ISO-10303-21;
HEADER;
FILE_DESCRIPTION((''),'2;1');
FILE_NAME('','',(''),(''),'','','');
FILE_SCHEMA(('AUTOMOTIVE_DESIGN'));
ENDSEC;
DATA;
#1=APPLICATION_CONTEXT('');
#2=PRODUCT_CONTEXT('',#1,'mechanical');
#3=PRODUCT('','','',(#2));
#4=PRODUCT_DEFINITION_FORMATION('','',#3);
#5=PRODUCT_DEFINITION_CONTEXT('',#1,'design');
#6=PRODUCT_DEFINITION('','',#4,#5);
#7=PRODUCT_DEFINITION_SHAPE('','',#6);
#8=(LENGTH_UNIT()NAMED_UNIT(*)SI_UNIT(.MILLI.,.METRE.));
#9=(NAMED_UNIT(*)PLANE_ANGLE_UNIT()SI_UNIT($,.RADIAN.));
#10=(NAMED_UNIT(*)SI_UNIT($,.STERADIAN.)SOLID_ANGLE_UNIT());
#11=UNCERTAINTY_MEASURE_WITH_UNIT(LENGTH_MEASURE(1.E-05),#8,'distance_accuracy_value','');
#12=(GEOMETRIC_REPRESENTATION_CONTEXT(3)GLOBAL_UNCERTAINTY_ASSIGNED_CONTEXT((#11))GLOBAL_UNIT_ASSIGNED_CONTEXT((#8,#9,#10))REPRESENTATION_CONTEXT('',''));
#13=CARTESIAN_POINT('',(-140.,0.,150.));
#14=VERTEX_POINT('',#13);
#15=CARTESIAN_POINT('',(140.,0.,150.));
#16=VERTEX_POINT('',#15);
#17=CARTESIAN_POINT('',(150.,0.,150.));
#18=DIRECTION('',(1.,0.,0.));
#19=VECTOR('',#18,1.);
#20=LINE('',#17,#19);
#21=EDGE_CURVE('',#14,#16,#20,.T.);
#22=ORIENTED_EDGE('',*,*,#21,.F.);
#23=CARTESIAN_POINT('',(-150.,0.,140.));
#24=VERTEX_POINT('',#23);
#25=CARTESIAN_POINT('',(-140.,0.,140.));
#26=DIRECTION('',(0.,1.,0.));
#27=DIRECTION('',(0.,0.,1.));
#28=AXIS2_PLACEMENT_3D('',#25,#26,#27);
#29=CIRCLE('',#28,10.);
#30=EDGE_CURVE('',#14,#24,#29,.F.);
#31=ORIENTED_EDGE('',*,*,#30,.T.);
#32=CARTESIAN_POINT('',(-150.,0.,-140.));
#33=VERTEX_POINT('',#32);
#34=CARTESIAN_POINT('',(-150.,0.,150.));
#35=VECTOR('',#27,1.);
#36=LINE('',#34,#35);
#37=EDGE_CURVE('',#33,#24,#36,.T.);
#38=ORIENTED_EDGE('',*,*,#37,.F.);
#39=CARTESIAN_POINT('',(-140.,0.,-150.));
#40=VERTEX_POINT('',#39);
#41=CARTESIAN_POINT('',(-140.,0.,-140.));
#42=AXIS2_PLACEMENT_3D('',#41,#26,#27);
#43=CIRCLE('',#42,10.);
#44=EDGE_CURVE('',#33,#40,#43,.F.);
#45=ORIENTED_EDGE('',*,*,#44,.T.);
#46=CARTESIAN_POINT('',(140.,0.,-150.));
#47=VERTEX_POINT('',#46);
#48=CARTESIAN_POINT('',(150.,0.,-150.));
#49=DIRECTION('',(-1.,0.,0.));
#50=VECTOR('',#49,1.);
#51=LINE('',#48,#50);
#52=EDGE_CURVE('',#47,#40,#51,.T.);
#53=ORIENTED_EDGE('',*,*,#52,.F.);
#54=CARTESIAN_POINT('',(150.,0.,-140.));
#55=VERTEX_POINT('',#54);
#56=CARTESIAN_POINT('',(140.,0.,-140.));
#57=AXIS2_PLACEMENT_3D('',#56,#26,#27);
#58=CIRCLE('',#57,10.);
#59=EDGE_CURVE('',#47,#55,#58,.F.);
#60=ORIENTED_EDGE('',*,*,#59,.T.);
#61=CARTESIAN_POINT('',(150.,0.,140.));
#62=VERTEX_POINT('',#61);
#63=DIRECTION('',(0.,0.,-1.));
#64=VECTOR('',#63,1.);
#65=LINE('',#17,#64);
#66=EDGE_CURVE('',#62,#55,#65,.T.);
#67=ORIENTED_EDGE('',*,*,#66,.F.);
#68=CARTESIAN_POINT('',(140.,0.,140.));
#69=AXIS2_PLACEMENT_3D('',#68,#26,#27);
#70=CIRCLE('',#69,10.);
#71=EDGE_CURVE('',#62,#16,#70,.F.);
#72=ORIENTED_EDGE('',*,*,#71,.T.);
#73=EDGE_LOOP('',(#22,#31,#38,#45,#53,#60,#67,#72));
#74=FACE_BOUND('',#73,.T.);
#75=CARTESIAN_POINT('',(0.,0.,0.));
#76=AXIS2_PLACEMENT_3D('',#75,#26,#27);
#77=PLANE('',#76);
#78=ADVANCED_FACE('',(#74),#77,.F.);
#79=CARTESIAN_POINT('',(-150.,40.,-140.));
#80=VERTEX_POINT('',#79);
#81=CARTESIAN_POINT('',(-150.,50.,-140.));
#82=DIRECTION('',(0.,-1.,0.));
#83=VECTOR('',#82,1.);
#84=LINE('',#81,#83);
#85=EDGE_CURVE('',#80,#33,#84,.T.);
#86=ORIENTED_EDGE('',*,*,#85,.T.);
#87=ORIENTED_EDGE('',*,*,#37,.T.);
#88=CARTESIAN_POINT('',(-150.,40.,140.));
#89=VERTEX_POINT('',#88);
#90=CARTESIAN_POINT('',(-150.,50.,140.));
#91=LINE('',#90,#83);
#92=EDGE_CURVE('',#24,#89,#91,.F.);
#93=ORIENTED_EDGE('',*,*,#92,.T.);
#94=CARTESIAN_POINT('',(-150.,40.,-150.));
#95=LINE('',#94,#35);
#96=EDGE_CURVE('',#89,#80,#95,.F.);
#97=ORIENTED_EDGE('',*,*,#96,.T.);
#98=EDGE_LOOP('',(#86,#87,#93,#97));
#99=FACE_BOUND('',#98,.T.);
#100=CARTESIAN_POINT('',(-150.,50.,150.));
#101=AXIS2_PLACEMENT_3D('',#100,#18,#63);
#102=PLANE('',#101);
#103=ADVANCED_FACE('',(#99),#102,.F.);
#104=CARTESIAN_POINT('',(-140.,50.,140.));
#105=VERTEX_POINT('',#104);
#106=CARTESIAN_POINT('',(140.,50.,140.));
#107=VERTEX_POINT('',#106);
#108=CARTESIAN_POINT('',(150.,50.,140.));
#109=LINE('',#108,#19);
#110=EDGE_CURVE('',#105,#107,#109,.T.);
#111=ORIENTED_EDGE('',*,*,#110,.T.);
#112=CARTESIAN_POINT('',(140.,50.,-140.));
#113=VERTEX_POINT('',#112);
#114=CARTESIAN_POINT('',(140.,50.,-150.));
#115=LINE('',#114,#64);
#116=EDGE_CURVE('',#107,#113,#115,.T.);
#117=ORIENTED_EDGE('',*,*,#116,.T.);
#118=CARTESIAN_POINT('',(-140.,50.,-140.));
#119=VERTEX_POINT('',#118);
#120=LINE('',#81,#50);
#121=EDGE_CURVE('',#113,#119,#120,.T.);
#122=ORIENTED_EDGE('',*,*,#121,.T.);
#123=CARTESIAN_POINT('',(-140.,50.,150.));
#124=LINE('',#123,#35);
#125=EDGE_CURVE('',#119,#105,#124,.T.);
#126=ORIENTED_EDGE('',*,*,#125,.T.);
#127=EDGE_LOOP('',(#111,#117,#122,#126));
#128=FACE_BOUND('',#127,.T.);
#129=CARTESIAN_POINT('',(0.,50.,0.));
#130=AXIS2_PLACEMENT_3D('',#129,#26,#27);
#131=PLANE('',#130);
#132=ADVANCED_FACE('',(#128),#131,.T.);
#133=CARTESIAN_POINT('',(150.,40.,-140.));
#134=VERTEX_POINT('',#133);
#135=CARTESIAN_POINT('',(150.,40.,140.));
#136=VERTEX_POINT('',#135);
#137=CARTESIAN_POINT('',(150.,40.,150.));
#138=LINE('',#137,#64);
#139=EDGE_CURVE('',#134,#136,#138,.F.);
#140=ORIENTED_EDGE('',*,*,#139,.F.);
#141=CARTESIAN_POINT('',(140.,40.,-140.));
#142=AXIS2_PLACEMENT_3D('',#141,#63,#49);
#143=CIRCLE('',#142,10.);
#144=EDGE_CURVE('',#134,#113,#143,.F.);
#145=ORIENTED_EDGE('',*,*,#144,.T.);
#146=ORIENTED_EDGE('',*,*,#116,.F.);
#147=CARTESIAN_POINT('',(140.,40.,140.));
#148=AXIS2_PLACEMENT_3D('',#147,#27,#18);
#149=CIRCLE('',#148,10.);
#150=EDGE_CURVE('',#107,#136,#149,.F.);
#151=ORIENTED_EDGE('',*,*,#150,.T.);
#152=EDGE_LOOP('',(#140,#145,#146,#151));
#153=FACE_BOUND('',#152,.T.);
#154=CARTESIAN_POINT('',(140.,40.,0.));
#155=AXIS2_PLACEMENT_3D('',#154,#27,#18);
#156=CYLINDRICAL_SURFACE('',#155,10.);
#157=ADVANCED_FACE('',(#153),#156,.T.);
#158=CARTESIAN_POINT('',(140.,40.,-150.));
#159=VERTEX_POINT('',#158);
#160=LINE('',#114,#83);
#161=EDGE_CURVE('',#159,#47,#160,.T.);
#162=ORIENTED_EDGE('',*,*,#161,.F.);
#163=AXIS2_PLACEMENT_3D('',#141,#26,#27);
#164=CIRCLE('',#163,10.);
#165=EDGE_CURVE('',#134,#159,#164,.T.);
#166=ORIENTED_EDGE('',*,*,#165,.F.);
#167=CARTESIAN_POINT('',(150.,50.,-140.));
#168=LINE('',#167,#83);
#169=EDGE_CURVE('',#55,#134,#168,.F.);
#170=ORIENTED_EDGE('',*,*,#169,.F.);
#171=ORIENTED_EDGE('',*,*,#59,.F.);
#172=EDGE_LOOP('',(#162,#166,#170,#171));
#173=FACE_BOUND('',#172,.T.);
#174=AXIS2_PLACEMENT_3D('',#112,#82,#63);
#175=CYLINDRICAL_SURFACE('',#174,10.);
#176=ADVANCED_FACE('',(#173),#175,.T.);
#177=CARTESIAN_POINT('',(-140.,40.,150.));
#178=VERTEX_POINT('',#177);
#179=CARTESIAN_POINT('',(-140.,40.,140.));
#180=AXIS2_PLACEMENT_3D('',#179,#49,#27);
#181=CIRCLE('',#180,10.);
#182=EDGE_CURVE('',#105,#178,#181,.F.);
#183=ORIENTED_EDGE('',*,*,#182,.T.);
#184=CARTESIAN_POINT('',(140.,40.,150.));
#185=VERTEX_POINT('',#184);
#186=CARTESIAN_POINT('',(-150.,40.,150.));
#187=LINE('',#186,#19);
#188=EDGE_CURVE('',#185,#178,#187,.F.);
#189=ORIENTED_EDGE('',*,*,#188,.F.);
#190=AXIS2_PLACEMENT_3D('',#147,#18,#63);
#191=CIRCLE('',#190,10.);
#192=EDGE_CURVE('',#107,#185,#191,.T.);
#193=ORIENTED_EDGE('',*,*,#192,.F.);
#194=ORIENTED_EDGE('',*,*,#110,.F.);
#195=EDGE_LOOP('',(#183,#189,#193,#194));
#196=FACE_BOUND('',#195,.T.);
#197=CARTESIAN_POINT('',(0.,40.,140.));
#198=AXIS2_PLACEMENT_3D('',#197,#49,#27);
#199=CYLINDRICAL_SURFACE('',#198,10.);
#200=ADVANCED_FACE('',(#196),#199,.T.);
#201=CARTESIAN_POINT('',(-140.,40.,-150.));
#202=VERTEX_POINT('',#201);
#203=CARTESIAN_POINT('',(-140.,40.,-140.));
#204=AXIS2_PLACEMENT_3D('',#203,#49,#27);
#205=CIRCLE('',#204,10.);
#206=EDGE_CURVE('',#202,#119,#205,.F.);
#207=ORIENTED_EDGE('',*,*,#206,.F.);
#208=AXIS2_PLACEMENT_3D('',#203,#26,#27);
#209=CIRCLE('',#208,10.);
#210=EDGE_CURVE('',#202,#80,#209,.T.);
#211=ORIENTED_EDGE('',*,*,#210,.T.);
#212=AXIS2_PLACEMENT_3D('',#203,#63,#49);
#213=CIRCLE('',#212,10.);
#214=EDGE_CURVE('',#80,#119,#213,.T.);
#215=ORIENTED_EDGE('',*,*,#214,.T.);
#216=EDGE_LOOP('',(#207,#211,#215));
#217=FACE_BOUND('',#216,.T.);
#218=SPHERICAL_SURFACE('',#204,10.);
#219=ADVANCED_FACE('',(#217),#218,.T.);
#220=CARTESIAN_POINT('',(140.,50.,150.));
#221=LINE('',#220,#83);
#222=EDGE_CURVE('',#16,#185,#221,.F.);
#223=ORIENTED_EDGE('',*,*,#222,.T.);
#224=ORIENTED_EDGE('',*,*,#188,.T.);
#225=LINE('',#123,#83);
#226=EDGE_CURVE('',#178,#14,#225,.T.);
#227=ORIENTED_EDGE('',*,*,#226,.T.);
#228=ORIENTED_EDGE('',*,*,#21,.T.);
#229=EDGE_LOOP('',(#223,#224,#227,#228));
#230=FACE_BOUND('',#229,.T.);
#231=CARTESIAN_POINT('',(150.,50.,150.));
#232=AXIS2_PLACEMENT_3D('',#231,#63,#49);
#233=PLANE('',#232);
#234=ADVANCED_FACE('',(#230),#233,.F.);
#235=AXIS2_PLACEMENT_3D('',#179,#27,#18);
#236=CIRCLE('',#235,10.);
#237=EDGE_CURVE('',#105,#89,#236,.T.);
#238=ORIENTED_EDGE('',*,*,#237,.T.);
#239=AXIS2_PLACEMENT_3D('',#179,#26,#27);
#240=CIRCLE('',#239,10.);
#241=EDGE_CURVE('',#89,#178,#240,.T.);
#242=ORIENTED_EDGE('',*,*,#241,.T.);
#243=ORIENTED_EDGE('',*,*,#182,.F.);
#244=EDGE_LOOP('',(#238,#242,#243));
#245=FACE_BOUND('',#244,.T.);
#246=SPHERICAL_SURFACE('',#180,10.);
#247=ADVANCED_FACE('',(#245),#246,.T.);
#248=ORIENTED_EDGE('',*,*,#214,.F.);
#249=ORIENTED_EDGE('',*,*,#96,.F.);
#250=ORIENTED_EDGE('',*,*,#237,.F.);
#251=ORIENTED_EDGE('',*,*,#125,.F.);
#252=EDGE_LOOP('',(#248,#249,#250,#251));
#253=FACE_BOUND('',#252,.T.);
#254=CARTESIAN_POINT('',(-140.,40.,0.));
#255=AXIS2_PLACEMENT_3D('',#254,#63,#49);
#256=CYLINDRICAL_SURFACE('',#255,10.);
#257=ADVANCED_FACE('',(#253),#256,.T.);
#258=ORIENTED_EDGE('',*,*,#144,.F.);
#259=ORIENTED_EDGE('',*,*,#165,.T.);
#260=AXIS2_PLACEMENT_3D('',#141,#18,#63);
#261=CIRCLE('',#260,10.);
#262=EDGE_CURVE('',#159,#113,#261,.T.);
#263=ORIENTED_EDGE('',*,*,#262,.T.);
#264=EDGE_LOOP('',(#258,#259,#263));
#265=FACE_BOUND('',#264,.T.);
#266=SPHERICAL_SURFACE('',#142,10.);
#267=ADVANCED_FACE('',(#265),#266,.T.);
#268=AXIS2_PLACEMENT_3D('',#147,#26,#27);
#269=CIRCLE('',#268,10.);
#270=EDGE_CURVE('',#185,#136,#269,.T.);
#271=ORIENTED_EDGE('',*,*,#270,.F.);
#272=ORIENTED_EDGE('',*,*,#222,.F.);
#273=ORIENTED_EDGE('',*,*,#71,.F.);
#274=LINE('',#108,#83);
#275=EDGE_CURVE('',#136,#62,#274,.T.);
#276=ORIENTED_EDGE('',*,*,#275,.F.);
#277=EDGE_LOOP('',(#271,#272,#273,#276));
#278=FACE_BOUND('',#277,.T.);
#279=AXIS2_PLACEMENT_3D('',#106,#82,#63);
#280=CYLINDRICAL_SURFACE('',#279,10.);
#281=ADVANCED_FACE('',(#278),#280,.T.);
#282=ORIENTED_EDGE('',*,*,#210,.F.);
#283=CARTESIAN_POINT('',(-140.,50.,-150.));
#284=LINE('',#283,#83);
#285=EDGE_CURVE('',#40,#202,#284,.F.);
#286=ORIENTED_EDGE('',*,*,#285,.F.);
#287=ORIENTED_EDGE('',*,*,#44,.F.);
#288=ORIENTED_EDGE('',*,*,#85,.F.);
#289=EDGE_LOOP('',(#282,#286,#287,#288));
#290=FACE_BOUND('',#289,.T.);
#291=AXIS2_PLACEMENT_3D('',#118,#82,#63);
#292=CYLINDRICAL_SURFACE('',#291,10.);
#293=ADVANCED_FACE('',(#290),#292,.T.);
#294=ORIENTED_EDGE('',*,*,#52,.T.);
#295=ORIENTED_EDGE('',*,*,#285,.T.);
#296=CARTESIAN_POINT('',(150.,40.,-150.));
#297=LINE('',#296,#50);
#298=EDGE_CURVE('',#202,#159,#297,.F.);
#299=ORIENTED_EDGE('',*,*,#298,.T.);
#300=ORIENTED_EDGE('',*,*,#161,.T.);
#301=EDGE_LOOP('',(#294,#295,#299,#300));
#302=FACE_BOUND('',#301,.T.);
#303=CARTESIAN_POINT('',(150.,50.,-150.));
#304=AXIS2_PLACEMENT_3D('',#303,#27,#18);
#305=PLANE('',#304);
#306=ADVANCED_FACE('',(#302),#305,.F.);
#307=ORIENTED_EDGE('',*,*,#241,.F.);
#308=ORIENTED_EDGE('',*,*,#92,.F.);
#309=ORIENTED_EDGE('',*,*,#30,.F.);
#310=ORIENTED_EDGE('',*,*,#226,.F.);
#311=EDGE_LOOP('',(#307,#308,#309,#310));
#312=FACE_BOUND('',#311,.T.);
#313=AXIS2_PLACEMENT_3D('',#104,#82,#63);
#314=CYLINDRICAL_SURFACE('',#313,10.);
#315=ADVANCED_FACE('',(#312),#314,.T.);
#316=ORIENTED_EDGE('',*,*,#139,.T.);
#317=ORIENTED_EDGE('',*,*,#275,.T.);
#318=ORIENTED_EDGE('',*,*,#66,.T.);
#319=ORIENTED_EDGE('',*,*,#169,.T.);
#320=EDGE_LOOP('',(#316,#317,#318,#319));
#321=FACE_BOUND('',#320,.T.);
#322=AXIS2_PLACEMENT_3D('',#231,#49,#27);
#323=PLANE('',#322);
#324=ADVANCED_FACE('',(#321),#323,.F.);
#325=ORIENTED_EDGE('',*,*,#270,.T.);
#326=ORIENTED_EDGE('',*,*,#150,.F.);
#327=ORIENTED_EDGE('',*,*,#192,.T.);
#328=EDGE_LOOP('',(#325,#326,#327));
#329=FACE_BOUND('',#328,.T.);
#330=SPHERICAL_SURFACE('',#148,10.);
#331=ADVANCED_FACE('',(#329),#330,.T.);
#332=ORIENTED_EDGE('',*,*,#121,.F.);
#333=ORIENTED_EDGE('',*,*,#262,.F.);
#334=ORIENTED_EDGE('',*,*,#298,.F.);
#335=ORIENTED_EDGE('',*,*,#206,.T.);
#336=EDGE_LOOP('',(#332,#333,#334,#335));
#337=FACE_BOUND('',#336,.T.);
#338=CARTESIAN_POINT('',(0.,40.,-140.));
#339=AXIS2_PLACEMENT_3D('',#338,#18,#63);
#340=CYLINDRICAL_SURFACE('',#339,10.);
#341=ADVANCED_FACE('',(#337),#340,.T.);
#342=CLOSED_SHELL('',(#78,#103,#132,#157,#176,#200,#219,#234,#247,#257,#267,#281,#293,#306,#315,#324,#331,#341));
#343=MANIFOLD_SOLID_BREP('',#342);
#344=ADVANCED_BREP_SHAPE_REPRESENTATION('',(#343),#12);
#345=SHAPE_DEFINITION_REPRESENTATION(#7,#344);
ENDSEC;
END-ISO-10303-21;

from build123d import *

# Parameters (mm, degrees)
SKETCH1_W           = 300
SKETCH1_H           = 300
BOSS_EXTRUDE1_DEPTH = 50
FILLET1_R           = 10


with BuildPart() as part:
    # Sketch1 → Boss-Extrude1 (new body)
    with BuildSketch(Plane(origin=(0, 0, 0), x_dir=(1, 0, 0), z_dir=(0, 1, 0))):
        Rectangle(SKETCH1_W, SKETCH1_H)
    extrude(amount=BOSS_EXTRUDE1_DEPTH)

    # Fillet1
    fillet1_edges = [part.edges().sort_by_distance(p)[0] for p in [
        (150, 50, 0),
        (0, 50, -150),
        (-150, 50, 0),
        (-150, 25, -150),
        (150, 25, -150),
        (150, 25, 150),
        (-150, 25, 150),
        (0, 50, 150),
    ]]
    fillet(fillet1_edges, radius=FILLET1_R)


solid = part.part
